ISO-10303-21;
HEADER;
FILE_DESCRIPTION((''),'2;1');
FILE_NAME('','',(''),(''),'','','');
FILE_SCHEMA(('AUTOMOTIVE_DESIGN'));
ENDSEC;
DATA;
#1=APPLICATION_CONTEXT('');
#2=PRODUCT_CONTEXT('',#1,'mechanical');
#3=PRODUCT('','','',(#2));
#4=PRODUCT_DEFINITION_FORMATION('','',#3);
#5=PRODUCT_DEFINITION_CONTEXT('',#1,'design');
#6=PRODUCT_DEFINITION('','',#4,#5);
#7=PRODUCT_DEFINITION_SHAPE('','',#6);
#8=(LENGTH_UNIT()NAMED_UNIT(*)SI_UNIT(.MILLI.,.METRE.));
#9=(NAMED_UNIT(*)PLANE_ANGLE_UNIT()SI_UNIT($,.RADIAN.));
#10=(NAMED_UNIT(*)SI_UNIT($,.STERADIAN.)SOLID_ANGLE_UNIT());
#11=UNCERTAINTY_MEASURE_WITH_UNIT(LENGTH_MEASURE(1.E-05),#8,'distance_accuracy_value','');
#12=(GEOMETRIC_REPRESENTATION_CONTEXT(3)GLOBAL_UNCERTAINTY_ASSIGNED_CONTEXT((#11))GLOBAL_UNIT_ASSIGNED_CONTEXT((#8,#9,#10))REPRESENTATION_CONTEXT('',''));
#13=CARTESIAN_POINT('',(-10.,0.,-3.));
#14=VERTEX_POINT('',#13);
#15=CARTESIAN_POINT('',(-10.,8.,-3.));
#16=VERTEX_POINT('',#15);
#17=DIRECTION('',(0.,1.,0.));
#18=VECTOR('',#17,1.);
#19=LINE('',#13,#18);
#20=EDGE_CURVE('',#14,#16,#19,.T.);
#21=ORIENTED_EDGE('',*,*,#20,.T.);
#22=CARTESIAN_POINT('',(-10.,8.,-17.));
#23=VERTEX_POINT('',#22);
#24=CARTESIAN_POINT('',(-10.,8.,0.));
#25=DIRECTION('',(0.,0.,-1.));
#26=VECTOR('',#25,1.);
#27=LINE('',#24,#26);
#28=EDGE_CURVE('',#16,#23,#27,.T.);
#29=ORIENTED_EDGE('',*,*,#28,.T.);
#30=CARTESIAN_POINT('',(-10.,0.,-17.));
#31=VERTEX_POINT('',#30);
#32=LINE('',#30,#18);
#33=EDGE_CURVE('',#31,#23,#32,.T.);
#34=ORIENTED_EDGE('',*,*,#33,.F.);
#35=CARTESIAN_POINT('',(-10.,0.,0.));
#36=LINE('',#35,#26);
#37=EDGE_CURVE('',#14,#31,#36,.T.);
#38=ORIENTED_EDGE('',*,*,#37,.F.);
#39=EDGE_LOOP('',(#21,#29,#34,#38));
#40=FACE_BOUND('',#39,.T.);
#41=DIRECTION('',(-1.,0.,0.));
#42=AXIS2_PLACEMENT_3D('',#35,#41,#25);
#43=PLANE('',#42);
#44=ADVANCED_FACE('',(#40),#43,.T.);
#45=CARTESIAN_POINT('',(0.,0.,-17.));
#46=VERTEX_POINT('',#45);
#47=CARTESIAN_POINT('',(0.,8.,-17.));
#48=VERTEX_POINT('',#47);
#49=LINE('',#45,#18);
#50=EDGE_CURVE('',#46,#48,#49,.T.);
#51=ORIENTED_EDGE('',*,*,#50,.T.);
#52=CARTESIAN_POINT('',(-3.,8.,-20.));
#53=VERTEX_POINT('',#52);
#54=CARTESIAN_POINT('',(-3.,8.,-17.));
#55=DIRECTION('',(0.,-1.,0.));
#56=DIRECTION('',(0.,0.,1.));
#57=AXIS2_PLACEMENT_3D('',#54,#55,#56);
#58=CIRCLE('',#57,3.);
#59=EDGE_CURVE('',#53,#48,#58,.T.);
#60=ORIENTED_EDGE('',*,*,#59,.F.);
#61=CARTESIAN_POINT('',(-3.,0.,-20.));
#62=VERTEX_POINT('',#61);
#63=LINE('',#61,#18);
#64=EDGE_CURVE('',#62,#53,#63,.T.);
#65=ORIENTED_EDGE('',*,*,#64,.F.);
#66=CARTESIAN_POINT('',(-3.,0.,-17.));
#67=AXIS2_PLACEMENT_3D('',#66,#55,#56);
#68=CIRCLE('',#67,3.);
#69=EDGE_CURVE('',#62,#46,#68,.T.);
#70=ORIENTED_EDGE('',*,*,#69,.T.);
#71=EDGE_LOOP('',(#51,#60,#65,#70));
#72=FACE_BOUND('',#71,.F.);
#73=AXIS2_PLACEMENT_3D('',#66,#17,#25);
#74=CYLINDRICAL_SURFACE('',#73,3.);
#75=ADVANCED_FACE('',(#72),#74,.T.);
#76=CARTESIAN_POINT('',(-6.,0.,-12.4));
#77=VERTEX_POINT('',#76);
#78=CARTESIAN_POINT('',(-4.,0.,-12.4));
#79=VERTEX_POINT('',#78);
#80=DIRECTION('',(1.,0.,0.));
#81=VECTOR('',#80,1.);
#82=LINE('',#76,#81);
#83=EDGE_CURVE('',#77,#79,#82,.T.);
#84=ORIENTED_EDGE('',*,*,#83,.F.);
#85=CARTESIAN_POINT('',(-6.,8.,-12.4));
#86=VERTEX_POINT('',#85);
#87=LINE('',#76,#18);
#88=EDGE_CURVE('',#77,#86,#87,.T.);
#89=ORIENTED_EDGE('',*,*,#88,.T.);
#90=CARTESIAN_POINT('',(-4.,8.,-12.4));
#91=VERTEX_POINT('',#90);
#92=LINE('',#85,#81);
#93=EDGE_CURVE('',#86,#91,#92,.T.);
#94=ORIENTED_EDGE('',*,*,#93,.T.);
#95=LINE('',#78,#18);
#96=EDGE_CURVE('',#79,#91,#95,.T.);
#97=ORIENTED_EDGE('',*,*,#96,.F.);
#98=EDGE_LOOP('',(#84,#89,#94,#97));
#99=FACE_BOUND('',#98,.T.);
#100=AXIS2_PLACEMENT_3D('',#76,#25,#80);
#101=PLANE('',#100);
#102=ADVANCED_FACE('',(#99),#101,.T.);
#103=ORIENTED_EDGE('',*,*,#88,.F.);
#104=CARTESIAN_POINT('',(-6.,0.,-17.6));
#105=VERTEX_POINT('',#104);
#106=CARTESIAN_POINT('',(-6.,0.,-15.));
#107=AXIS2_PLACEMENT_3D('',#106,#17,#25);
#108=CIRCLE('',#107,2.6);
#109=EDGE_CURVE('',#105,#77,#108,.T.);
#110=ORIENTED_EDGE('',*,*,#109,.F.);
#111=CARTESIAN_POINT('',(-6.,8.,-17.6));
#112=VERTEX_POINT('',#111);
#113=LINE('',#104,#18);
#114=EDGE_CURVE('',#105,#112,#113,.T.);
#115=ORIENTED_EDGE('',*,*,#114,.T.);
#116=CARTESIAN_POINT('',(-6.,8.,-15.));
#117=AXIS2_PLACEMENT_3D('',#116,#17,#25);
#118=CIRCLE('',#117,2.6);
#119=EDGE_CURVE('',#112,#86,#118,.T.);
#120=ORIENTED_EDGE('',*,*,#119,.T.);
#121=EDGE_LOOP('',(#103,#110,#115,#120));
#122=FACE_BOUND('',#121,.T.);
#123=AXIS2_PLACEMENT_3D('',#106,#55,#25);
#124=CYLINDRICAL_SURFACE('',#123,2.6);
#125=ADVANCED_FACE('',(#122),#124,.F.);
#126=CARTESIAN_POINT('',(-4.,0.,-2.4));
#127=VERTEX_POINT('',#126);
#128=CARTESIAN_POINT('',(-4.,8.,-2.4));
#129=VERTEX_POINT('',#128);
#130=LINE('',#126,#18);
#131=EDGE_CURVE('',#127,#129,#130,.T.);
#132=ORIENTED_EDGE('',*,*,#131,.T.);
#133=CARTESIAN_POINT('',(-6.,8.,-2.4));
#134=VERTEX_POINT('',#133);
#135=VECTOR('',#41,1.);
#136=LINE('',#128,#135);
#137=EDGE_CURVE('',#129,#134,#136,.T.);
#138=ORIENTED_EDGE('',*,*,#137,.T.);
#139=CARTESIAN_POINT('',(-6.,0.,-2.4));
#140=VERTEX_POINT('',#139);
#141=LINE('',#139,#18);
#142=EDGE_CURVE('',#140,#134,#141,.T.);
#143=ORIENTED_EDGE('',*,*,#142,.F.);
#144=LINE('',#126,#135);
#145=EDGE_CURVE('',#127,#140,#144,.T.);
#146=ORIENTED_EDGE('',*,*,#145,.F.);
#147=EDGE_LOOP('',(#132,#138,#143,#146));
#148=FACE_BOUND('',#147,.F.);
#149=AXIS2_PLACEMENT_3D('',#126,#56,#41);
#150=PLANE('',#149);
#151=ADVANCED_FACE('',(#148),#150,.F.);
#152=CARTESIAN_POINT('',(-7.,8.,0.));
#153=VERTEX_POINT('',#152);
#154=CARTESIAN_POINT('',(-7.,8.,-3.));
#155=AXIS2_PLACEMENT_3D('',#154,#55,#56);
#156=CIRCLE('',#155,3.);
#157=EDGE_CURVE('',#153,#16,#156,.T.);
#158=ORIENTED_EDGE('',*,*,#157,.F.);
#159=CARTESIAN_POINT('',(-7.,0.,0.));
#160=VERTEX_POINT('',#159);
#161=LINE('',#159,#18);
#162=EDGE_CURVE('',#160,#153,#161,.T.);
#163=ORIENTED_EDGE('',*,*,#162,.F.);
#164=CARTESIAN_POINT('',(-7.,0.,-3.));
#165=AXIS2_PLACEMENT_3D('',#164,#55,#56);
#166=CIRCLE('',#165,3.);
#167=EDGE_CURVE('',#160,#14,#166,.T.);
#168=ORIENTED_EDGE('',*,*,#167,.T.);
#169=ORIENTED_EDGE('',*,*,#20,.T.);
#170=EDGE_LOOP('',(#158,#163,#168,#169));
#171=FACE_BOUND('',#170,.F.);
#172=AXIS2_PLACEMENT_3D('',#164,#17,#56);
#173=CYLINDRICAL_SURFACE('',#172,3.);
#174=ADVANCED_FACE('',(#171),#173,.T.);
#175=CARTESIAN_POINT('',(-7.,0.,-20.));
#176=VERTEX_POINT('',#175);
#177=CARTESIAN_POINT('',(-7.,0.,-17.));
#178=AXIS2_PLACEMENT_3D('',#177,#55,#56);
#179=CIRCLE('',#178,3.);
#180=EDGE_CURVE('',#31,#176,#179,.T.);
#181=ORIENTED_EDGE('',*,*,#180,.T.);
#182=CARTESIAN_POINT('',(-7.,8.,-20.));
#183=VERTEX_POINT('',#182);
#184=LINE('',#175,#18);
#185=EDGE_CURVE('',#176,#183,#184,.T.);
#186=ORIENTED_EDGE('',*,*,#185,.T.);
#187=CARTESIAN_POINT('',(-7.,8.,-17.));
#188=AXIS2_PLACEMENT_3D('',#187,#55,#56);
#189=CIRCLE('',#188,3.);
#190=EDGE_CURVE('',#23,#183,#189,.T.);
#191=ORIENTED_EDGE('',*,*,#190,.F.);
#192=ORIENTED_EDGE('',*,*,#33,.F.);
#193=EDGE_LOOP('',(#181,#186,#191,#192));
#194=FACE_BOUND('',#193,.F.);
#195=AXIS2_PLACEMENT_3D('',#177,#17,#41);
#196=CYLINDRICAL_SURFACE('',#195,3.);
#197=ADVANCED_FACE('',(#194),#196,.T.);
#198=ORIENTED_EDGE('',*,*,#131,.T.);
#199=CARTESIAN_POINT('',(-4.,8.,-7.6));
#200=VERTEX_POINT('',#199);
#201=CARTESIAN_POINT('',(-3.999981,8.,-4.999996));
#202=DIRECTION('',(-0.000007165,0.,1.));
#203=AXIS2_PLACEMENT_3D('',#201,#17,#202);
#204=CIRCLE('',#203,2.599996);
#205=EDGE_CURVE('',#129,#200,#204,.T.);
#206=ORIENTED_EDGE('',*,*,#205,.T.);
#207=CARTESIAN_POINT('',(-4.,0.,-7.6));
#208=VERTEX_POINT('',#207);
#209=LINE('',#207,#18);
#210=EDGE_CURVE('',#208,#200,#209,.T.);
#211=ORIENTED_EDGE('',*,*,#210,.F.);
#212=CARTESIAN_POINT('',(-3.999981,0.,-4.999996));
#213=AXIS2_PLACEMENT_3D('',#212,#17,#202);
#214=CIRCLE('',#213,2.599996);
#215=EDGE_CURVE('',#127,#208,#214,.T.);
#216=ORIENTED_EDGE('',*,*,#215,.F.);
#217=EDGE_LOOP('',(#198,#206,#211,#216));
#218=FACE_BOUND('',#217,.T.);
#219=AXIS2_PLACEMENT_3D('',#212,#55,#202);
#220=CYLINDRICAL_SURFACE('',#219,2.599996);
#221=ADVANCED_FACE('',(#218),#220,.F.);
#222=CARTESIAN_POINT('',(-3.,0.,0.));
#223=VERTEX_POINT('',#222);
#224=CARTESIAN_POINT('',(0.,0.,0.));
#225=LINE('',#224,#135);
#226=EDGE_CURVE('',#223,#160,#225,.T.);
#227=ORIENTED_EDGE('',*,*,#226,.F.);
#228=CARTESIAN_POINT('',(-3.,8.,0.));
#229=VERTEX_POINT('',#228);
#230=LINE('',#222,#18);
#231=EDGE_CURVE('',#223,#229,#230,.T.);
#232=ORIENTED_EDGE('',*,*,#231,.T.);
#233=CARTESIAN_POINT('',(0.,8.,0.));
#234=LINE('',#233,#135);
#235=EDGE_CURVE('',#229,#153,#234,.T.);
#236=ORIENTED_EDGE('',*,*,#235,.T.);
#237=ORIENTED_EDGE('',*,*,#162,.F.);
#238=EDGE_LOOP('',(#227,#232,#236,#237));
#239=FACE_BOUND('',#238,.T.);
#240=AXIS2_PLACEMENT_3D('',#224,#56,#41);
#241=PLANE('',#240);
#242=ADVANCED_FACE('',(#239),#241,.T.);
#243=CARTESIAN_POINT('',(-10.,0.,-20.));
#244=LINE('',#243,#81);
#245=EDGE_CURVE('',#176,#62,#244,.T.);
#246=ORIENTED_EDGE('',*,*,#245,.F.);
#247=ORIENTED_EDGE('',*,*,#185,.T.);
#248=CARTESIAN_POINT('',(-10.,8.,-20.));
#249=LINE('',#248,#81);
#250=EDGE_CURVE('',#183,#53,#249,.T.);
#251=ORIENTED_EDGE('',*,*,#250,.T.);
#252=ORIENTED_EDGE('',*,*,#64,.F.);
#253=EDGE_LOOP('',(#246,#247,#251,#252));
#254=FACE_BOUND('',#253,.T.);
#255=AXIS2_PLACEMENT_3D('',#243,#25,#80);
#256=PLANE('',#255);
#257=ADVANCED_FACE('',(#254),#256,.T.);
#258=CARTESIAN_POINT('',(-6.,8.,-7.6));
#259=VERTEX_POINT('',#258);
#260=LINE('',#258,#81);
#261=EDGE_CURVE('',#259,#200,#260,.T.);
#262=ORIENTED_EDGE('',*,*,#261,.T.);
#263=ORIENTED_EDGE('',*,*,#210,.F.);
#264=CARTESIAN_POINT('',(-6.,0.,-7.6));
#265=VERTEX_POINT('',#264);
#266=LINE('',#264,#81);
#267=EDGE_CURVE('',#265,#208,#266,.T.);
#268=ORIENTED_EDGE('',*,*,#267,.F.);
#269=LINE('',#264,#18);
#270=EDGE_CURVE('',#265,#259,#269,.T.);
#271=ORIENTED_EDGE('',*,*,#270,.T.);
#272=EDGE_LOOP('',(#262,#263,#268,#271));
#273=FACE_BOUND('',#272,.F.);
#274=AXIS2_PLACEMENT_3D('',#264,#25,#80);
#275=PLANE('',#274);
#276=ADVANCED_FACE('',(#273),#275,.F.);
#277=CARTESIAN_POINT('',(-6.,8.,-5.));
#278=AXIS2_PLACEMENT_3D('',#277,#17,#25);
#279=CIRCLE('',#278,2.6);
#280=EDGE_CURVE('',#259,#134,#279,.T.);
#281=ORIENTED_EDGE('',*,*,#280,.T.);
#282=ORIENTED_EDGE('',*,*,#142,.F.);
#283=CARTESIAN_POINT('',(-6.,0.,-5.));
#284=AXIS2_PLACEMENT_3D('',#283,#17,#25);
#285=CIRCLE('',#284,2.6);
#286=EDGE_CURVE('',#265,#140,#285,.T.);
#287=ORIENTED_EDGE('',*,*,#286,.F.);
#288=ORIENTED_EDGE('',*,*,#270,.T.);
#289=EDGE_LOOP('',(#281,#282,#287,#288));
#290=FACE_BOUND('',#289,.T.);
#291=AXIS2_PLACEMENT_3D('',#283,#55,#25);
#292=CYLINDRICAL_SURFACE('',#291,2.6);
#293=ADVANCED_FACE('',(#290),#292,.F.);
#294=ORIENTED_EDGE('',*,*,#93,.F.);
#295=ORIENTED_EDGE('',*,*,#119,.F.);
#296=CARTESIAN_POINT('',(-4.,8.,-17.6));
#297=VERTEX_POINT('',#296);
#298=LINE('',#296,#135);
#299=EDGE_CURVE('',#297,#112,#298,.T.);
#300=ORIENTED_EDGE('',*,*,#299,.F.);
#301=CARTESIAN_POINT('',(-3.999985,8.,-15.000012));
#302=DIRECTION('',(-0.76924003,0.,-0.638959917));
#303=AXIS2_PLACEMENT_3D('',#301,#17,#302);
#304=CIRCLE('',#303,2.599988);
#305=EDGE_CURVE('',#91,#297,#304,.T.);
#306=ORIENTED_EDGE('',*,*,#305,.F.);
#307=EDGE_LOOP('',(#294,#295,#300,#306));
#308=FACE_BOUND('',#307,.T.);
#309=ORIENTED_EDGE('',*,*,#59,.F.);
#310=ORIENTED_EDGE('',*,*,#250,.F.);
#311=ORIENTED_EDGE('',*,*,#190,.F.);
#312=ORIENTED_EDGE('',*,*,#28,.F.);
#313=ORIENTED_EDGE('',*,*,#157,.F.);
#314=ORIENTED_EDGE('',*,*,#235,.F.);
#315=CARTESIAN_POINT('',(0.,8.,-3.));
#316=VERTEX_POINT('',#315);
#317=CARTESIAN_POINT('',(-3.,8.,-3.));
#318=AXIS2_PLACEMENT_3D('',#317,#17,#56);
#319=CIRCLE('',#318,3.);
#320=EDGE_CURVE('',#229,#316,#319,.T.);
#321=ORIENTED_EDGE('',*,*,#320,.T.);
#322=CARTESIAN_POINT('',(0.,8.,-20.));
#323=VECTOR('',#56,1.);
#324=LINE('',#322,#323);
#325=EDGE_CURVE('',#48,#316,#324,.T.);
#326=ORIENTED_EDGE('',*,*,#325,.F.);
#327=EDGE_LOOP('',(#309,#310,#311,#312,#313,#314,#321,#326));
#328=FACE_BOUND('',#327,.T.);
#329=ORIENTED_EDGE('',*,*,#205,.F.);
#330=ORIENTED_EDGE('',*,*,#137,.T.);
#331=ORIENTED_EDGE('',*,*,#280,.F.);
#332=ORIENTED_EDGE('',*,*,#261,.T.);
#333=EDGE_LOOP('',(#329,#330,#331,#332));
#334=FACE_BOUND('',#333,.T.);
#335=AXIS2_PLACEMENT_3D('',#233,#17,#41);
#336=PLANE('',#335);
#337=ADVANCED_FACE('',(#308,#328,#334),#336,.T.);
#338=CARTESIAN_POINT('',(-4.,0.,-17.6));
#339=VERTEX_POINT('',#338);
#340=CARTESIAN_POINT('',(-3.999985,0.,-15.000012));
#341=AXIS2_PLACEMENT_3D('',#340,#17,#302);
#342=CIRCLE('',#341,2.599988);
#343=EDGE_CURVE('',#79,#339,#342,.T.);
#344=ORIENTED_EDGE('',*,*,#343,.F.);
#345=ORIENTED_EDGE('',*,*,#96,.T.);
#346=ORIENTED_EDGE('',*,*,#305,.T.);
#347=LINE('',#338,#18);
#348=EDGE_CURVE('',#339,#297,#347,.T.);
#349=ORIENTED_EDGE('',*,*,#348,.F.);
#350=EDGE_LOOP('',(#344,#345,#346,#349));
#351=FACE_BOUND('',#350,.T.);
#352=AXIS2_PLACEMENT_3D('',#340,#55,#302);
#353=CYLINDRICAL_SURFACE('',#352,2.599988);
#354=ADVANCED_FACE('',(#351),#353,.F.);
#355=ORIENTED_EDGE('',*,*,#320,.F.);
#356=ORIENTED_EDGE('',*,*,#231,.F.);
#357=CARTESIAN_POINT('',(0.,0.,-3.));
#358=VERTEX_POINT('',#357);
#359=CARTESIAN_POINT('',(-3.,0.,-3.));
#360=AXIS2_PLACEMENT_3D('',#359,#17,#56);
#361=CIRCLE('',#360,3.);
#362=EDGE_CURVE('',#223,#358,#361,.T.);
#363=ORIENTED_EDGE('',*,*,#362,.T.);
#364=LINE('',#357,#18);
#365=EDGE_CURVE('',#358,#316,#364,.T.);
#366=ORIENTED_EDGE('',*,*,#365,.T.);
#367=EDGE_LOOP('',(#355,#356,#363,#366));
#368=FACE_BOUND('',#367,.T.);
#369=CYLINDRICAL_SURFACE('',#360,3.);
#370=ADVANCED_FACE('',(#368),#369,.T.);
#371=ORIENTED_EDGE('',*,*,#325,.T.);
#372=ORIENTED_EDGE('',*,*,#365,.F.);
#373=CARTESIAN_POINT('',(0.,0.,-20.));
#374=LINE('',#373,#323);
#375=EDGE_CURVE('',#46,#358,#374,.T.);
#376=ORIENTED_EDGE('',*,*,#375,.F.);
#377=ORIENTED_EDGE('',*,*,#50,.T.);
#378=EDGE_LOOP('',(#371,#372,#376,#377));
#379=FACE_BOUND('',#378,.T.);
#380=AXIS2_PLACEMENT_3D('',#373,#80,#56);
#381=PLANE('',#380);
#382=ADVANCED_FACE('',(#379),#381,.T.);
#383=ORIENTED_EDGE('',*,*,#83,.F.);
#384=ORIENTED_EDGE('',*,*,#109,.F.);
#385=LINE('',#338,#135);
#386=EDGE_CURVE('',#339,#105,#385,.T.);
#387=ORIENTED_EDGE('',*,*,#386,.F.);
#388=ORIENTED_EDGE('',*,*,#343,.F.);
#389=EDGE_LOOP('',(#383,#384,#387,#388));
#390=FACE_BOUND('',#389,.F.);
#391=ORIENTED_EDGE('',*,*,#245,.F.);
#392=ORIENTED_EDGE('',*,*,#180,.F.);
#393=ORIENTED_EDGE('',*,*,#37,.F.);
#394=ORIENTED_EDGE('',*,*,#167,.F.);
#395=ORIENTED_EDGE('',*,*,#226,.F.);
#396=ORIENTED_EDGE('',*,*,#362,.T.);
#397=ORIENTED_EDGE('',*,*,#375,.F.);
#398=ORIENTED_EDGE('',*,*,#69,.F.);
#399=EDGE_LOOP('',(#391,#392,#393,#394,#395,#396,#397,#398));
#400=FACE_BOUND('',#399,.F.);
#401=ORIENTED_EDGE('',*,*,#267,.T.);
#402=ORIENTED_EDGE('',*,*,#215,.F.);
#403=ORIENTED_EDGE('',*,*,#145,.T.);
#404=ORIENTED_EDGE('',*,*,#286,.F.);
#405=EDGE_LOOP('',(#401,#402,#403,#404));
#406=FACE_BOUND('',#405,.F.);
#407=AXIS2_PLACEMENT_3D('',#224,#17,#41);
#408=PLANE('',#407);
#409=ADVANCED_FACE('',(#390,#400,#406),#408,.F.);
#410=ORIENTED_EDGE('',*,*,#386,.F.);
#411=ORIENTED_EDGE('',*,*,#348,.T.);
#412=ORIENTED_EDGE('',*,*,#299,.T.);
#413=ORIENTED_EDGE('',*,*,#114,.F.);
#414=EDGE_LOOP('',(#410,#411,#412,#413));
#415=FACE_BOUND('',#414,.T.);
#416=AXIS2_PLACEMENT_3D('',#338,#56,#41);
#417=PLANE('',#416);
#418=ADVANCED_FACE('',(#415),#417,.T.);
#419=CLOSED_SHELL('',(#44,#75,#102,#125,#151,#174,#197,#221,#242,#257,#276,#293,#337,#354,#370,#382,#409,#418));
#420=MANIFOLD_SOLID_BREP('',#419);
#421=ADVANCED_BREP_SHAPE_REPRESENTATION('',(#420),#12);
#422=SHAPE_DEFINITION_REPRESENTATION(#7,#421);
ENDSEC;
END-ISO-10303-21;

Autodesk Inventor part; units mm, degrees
ref_plane "YZ Plane" through (0, 0, 0) normal (1, 0, 0) x (0, 1, 0)
ref_plane "XZ Plane" through (0, 0, 0) normal (0, 1, 0) x (-1, 0, 0)
ref_plane "XY Plane" through (0, 0, 0) normal (0, 0, 1) x (1, 0, 0)
sketch "Sketch1" plane through (0, 0, 0) normal (0, 1, 0) x (-1, 0, 0)
  line L0 (0, 0) -> (10, 0)
  line L1 (10, 0) -> (10, -20)
  line L2 (10, -20) -> (0, -20)
  line L3 (0, -20) -> (0, 0)
  arc A0 (5, -7.4) -> (6, -7.6) centre (6, -5) ccw
  arc A1 (5, -2.6) -> (4, -2.4) centre (4, -5) ccw
  line L4 (4, -2.4) -> (6, -2.4)
  line L5 (6, -2.4) -> (6, -3.3387)
  line L6 (6, -7.6) -> (4, -7.6)
  line L7 (4, -7.6) -> (4, -2.4)
  arc A2 (6, -3.3387) -> (5, -2.6) centre (4, -5) ccw
  line L8 (6, -3.3387) -> (6, -7.6)
  arc A3 (4, -2.4) -> (6, -3.3387) centre (4, -5) ccw
  arc A4 (6, -2.4) -> (5, -2.6) centre (6, -5) ccw
  arc A5 (6, -7.6) -> (6, -2.4) centre (6, -5) ccw
  line L9 (11.1663, -10) -> (-5.9269, -10) construction
  arc A6 (6, -12.4) -> (5, -12.6) centre (6, -15) ccw
  arc A7 (4, -17.6) -> (5, -17.4) centre (4, -15) ccw
  line L10 (4, -17.6) -> (6, -17.6)
  line L11 (6, -17.6) -> (6, -16.6613)
  line L12 (6, -12.4) -> (4, -12.4)
  line L13 (4, -12.4) -> (4, -17.6)
  arc A8 (5, -17.4) -> (6, -16.6613) centre (4, -15) ccw
  line L14 (6, -16.6613) -> (6, -12.4)
  arc A9 (6, -16.6613) -> (4, -17.6) centre (4, -15) ccw
  arc A10 (5, -17.4) -> (6, -17.6) centre (6, -15) ccw
  arc A11 (6, -17.6) -> (6, -12.4) centre (6, -15) ccw
  dimension "d0" = 20
  dimension "d1" = 10
  dimension "d2" = 5.2
  dimension "d3" = 5.2
  dimension "d4" = 5
  dimension "d5" = 5
  dimension "d6" = 4
  dimension "d7" = 4
  dimension "d8" = 10
extrude "Extrusion1" add sketch "Sketch1" along normal blind 8
fillet "Fillet1" radius 3 4 edges at (0, 4, 0) (0, 4, -20) (-10, 4, -20) (-10, 4, 0)
